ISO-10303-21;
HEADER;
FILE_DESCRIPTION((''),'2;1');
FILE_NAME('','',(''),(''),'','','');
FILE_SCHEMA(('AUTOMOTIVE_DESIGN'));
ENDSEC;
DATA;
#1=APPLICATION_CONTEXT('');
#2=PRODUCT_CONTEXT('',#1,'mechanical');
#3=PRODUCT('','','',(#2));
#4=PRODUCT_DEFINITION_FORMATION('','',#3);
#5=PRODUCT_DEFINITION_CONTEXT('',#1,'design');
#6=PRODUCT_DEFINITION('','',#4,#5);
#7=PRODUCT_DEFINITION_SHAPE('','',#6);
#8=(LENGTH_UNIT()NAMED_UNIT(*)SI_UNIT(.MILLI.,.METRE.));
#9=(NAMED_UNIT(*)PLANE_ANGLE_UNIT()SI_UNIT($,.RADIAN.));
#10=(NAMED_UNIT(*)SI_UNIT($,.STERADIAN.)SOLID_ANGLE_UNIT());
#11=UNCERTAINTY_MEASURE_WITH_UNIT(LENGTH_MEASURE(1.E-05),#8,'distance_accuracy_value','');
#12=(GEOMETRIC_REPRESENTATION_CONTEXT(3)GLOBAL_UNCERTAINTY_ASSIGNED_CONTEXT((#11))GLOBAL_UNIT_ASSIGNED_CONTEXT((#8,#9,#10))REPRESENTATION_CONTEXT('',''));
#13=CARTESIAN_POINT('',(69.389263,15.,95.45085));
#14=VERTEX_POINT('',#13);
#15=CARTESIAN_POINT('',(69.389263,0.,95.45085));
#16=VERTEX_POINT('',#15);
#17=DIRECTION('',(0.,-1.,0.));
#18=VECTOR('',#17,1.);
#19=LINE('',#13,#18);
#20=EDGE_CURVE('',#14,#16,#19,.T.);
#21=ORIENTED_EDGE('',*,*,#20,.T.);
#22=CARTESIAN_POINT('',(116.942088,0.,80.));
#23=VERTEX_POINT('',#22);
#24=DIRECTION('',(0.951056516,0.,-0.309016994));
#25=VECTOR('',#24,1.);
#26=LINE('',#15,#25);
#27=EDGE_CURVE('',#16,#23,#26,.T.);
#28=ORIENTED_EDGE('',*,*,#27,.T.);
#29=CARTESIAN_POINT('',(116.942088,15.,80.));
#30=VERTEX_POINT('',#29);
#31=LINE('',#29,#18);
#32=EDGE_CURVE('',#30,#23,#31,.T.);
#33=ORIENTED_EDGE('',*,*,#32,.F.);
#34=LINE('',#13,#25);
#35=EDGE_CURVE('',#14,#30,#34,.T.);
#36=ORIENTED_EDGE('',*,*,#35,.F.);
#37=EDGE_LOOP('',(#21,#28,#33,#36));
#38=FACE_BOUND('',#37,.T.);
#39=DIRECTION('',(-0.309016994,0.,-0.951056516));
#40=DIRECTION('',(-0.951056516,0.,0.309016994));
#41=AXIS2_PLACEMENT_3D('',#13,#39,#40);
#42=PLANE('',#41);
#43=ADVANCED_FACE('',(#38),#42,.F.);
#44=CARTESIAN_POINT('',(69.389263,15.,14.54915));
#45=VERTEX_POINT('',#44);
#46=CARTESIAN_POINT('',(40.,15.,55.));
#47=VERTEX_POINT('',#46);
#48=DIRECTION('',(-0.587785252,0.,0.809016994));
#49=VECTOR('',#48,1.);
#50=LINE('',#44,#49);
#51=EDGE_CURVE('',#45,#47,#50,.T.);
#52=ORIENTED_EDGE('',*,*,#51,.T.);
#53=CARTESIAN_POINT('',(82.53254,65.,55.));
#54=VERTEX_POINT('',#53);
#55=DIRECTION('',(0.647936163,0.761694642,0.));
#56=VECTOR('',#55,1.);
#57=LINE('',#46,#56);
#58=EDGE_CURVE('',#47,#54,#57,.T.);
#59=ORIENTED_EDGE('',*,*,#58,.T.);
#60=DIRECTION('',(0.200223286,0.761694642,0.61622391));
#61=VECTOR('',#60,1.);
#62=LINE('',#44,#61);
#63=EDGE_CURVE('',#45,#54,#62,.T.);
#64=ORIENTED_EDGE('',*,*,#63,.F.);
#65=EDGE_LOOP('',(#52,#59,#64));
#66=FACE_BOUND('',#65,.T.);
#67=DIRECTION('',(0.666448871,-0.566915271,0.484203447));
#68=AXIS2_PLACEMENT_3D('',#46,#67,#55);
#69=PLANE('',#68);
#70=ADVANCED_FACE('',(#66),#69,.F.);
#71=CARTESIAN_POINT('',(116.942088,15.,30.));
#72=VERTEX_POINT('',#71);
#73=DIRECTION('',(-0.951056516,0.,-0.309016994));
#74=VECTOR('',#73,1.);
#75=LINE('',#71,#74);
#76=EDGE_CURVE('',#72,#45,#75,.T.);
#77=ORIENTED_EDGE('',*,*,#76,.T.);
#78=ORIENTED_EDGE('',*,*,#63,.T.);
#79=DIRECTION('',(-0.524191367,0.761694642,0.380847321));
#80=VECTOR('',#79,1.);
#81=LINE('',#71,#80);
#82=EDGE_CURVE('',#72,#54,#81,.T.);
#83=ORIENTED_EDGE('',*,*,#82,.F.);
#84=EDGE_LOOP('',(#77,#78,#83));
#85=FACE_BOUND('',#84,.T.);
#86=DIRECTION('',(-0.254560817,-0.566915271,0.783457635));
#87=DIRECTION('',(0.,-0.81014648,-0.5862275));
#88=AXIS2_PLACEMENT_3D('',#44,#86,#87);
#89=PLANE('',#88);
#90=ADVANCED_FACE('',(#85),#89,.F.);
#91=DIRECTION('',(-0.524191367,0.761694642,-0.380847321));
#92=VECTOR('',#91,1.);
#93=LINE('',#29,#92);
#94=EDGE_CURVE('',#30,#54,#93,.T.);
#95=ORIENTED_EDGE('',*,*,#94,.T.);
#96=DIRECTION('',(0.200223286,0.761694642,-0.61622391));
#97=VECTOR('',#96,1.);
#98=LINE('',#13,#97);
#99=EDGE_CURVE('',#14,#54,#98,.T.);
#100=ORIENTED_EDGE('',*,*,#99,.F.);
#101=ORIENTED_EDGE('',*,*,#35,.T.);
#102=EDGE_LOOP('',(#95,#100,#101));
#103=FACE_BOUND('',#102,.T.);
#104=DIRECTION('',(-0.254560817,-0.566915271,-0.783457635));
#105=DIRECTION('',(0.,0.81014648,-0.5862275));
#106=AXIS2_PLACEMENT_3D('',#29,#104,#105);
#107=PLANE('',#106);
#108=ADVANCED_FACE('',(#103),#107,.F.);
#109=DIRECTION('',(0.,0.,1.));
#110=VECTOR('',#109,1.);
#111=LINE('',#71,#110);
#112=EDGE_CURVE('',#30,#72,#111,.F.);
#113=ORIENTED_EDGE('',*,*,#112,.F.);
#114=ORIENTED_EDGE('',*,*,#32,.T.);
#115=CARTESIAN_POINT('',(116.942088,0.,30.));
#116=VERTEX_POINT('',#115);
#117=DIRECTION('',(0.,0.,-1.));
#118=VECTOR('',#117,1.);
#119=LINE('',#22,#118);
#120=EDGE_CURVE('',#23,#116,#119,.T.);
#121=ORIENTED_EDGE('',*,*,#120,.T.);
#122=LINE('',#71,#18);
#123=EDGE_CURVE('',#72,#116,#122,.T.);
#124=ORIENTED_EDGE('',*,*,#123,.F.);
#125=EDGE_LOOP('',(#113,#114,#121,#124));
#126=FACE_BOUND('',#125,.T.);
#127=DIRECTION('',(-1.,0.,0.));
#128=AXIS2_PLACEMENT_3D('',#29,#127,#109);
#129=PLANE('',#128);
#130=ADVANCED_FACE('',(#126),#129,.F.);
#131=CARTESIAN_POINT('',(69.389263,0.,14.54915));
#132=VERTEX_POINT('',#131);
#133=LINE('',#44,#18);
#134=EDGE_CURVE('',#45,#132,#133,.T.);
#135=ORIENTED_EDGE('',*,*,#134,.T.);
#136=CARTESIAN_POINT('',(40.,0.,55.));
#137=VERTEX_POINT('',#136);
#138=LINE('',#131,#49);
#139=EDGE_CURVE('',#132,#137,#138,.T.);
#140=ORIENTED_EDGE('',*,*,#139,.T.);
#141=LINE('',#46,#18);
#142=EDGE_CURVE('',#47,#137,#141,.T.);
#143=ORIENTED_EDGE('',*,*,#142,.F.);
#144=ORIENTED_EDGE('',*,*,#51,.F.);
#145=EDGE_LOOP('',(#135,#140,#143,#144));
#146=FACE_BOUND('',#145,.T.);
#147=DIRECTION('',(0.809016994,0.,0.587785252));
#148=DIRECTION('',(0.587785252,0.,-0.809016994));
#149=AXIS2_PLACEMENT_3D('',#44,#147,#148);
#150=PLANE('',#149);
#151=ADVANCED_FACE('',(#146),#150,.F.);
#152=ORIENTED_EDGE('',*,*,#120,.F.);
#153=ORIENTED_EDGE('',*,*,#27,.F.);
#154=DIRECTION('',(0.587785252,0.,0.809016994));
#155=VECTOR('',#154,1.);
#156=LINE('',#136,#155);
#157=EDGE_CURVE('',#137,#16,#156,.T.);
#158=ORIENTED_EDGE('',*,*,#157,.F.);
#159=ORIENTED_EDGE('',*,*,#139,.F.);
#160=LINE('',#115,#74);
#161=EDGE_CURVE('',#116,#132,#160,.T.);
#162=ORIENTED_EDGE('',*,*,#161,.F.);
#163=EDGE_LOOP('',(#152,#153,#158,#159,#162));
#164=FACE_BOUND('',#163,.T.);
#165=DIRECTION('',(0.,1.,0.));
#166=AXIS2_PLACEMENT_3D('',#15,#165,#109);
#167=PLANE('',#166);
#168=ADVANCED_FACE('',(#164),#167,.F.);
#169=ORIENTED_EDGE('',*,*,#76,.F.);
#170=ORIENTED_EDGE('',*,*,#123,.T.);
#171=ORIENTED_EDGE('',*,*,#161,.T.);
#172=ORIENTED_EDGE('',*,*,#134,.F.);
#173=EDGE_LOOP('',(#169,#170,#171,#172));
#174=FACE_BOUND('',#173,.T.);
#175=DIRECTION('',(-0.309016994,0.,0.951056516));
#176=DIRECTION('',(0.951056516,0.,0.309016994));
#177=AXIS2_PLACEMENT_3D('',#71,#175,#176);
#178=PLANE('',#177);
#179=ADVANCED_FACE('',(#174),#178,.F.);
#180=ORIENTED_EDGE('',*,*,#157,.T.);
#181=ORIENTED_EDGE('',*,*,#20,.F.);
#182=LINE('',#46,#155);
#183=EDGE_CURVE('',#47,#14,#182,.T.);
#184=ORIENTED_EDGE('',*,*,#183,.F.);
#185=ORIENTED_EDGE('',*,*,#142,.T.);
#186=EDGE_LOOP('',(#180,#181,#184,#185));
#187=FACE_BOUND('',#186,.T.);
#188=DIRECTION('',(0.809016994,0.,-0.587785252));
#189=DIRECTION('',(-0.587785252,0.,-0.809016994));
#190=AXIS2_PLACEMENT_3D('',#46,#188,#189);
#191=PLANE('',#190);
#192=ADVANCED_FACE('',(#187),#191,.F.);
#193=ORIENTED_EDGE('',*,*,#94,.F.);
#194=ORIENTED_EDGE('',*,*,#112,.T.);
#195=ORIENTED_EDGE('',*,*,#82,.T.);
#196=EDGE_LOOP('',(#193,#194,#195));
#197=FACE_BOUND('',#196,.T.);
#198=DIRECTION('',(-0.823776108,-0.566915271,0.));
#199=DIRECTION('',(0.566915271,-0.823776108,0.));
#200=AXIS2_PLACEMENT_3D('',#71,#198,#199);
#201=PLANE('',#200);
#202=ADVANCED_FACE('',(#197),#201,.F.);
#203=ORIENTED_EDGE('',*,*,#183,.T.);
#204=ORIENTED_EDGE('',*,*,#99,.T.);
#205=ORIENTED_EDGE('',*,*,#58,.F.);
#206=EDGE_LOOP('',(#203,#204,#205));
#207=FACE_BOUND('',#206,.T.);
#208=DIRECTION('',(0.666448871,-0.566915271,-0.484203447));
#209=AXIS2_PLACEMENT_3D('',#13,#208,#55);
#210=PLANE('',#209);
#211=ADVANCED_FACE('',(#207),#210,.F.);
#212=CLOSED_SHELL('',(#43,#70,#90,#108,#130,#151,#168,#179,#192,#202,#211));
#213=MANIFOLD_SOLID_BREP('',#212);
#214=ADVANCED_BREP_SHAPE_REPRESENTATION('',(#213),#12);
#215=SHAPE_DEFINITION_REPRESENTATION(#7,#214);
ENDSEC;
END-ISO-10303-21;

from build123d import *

# Parameters (mm, degrees)
EXTRUDE1_DEPTH = 15


with BuildPart() as part:
    # Sketch1 → Extrude1 (new body)
    with BuildSketch(Plane(origin=(0, 0, 0), x_dir=(1, 0, 0), z_dir=(0, 1, 0))):
        Polygon((69.389262615, -95.450849719), (116.942088429, -80), (116.942088429, -30), (69.389262615, -14.549150281), (40, -55), align=None)
    extrude(amount=EXTRUDE1_DEPTH)

    # Sketch3 → Loft1 section 0
    with BuildSketch(Plane(origin=(0, 15, 0), x_dir=(1, 0, 0), z_dir=(0, 1, 0)), mode=Mode.PRIVATE) as loft1_s0:
        Polygon((69.389262615, -95.450849719), (40, -55), (69.389262615, -14.549150281), (116.942088429, -30), (116.942088429, -80), align=None)
    loft([loft1_s0.sketch, Vertex(82.532540418, 65, 55)])


solid = part.part
